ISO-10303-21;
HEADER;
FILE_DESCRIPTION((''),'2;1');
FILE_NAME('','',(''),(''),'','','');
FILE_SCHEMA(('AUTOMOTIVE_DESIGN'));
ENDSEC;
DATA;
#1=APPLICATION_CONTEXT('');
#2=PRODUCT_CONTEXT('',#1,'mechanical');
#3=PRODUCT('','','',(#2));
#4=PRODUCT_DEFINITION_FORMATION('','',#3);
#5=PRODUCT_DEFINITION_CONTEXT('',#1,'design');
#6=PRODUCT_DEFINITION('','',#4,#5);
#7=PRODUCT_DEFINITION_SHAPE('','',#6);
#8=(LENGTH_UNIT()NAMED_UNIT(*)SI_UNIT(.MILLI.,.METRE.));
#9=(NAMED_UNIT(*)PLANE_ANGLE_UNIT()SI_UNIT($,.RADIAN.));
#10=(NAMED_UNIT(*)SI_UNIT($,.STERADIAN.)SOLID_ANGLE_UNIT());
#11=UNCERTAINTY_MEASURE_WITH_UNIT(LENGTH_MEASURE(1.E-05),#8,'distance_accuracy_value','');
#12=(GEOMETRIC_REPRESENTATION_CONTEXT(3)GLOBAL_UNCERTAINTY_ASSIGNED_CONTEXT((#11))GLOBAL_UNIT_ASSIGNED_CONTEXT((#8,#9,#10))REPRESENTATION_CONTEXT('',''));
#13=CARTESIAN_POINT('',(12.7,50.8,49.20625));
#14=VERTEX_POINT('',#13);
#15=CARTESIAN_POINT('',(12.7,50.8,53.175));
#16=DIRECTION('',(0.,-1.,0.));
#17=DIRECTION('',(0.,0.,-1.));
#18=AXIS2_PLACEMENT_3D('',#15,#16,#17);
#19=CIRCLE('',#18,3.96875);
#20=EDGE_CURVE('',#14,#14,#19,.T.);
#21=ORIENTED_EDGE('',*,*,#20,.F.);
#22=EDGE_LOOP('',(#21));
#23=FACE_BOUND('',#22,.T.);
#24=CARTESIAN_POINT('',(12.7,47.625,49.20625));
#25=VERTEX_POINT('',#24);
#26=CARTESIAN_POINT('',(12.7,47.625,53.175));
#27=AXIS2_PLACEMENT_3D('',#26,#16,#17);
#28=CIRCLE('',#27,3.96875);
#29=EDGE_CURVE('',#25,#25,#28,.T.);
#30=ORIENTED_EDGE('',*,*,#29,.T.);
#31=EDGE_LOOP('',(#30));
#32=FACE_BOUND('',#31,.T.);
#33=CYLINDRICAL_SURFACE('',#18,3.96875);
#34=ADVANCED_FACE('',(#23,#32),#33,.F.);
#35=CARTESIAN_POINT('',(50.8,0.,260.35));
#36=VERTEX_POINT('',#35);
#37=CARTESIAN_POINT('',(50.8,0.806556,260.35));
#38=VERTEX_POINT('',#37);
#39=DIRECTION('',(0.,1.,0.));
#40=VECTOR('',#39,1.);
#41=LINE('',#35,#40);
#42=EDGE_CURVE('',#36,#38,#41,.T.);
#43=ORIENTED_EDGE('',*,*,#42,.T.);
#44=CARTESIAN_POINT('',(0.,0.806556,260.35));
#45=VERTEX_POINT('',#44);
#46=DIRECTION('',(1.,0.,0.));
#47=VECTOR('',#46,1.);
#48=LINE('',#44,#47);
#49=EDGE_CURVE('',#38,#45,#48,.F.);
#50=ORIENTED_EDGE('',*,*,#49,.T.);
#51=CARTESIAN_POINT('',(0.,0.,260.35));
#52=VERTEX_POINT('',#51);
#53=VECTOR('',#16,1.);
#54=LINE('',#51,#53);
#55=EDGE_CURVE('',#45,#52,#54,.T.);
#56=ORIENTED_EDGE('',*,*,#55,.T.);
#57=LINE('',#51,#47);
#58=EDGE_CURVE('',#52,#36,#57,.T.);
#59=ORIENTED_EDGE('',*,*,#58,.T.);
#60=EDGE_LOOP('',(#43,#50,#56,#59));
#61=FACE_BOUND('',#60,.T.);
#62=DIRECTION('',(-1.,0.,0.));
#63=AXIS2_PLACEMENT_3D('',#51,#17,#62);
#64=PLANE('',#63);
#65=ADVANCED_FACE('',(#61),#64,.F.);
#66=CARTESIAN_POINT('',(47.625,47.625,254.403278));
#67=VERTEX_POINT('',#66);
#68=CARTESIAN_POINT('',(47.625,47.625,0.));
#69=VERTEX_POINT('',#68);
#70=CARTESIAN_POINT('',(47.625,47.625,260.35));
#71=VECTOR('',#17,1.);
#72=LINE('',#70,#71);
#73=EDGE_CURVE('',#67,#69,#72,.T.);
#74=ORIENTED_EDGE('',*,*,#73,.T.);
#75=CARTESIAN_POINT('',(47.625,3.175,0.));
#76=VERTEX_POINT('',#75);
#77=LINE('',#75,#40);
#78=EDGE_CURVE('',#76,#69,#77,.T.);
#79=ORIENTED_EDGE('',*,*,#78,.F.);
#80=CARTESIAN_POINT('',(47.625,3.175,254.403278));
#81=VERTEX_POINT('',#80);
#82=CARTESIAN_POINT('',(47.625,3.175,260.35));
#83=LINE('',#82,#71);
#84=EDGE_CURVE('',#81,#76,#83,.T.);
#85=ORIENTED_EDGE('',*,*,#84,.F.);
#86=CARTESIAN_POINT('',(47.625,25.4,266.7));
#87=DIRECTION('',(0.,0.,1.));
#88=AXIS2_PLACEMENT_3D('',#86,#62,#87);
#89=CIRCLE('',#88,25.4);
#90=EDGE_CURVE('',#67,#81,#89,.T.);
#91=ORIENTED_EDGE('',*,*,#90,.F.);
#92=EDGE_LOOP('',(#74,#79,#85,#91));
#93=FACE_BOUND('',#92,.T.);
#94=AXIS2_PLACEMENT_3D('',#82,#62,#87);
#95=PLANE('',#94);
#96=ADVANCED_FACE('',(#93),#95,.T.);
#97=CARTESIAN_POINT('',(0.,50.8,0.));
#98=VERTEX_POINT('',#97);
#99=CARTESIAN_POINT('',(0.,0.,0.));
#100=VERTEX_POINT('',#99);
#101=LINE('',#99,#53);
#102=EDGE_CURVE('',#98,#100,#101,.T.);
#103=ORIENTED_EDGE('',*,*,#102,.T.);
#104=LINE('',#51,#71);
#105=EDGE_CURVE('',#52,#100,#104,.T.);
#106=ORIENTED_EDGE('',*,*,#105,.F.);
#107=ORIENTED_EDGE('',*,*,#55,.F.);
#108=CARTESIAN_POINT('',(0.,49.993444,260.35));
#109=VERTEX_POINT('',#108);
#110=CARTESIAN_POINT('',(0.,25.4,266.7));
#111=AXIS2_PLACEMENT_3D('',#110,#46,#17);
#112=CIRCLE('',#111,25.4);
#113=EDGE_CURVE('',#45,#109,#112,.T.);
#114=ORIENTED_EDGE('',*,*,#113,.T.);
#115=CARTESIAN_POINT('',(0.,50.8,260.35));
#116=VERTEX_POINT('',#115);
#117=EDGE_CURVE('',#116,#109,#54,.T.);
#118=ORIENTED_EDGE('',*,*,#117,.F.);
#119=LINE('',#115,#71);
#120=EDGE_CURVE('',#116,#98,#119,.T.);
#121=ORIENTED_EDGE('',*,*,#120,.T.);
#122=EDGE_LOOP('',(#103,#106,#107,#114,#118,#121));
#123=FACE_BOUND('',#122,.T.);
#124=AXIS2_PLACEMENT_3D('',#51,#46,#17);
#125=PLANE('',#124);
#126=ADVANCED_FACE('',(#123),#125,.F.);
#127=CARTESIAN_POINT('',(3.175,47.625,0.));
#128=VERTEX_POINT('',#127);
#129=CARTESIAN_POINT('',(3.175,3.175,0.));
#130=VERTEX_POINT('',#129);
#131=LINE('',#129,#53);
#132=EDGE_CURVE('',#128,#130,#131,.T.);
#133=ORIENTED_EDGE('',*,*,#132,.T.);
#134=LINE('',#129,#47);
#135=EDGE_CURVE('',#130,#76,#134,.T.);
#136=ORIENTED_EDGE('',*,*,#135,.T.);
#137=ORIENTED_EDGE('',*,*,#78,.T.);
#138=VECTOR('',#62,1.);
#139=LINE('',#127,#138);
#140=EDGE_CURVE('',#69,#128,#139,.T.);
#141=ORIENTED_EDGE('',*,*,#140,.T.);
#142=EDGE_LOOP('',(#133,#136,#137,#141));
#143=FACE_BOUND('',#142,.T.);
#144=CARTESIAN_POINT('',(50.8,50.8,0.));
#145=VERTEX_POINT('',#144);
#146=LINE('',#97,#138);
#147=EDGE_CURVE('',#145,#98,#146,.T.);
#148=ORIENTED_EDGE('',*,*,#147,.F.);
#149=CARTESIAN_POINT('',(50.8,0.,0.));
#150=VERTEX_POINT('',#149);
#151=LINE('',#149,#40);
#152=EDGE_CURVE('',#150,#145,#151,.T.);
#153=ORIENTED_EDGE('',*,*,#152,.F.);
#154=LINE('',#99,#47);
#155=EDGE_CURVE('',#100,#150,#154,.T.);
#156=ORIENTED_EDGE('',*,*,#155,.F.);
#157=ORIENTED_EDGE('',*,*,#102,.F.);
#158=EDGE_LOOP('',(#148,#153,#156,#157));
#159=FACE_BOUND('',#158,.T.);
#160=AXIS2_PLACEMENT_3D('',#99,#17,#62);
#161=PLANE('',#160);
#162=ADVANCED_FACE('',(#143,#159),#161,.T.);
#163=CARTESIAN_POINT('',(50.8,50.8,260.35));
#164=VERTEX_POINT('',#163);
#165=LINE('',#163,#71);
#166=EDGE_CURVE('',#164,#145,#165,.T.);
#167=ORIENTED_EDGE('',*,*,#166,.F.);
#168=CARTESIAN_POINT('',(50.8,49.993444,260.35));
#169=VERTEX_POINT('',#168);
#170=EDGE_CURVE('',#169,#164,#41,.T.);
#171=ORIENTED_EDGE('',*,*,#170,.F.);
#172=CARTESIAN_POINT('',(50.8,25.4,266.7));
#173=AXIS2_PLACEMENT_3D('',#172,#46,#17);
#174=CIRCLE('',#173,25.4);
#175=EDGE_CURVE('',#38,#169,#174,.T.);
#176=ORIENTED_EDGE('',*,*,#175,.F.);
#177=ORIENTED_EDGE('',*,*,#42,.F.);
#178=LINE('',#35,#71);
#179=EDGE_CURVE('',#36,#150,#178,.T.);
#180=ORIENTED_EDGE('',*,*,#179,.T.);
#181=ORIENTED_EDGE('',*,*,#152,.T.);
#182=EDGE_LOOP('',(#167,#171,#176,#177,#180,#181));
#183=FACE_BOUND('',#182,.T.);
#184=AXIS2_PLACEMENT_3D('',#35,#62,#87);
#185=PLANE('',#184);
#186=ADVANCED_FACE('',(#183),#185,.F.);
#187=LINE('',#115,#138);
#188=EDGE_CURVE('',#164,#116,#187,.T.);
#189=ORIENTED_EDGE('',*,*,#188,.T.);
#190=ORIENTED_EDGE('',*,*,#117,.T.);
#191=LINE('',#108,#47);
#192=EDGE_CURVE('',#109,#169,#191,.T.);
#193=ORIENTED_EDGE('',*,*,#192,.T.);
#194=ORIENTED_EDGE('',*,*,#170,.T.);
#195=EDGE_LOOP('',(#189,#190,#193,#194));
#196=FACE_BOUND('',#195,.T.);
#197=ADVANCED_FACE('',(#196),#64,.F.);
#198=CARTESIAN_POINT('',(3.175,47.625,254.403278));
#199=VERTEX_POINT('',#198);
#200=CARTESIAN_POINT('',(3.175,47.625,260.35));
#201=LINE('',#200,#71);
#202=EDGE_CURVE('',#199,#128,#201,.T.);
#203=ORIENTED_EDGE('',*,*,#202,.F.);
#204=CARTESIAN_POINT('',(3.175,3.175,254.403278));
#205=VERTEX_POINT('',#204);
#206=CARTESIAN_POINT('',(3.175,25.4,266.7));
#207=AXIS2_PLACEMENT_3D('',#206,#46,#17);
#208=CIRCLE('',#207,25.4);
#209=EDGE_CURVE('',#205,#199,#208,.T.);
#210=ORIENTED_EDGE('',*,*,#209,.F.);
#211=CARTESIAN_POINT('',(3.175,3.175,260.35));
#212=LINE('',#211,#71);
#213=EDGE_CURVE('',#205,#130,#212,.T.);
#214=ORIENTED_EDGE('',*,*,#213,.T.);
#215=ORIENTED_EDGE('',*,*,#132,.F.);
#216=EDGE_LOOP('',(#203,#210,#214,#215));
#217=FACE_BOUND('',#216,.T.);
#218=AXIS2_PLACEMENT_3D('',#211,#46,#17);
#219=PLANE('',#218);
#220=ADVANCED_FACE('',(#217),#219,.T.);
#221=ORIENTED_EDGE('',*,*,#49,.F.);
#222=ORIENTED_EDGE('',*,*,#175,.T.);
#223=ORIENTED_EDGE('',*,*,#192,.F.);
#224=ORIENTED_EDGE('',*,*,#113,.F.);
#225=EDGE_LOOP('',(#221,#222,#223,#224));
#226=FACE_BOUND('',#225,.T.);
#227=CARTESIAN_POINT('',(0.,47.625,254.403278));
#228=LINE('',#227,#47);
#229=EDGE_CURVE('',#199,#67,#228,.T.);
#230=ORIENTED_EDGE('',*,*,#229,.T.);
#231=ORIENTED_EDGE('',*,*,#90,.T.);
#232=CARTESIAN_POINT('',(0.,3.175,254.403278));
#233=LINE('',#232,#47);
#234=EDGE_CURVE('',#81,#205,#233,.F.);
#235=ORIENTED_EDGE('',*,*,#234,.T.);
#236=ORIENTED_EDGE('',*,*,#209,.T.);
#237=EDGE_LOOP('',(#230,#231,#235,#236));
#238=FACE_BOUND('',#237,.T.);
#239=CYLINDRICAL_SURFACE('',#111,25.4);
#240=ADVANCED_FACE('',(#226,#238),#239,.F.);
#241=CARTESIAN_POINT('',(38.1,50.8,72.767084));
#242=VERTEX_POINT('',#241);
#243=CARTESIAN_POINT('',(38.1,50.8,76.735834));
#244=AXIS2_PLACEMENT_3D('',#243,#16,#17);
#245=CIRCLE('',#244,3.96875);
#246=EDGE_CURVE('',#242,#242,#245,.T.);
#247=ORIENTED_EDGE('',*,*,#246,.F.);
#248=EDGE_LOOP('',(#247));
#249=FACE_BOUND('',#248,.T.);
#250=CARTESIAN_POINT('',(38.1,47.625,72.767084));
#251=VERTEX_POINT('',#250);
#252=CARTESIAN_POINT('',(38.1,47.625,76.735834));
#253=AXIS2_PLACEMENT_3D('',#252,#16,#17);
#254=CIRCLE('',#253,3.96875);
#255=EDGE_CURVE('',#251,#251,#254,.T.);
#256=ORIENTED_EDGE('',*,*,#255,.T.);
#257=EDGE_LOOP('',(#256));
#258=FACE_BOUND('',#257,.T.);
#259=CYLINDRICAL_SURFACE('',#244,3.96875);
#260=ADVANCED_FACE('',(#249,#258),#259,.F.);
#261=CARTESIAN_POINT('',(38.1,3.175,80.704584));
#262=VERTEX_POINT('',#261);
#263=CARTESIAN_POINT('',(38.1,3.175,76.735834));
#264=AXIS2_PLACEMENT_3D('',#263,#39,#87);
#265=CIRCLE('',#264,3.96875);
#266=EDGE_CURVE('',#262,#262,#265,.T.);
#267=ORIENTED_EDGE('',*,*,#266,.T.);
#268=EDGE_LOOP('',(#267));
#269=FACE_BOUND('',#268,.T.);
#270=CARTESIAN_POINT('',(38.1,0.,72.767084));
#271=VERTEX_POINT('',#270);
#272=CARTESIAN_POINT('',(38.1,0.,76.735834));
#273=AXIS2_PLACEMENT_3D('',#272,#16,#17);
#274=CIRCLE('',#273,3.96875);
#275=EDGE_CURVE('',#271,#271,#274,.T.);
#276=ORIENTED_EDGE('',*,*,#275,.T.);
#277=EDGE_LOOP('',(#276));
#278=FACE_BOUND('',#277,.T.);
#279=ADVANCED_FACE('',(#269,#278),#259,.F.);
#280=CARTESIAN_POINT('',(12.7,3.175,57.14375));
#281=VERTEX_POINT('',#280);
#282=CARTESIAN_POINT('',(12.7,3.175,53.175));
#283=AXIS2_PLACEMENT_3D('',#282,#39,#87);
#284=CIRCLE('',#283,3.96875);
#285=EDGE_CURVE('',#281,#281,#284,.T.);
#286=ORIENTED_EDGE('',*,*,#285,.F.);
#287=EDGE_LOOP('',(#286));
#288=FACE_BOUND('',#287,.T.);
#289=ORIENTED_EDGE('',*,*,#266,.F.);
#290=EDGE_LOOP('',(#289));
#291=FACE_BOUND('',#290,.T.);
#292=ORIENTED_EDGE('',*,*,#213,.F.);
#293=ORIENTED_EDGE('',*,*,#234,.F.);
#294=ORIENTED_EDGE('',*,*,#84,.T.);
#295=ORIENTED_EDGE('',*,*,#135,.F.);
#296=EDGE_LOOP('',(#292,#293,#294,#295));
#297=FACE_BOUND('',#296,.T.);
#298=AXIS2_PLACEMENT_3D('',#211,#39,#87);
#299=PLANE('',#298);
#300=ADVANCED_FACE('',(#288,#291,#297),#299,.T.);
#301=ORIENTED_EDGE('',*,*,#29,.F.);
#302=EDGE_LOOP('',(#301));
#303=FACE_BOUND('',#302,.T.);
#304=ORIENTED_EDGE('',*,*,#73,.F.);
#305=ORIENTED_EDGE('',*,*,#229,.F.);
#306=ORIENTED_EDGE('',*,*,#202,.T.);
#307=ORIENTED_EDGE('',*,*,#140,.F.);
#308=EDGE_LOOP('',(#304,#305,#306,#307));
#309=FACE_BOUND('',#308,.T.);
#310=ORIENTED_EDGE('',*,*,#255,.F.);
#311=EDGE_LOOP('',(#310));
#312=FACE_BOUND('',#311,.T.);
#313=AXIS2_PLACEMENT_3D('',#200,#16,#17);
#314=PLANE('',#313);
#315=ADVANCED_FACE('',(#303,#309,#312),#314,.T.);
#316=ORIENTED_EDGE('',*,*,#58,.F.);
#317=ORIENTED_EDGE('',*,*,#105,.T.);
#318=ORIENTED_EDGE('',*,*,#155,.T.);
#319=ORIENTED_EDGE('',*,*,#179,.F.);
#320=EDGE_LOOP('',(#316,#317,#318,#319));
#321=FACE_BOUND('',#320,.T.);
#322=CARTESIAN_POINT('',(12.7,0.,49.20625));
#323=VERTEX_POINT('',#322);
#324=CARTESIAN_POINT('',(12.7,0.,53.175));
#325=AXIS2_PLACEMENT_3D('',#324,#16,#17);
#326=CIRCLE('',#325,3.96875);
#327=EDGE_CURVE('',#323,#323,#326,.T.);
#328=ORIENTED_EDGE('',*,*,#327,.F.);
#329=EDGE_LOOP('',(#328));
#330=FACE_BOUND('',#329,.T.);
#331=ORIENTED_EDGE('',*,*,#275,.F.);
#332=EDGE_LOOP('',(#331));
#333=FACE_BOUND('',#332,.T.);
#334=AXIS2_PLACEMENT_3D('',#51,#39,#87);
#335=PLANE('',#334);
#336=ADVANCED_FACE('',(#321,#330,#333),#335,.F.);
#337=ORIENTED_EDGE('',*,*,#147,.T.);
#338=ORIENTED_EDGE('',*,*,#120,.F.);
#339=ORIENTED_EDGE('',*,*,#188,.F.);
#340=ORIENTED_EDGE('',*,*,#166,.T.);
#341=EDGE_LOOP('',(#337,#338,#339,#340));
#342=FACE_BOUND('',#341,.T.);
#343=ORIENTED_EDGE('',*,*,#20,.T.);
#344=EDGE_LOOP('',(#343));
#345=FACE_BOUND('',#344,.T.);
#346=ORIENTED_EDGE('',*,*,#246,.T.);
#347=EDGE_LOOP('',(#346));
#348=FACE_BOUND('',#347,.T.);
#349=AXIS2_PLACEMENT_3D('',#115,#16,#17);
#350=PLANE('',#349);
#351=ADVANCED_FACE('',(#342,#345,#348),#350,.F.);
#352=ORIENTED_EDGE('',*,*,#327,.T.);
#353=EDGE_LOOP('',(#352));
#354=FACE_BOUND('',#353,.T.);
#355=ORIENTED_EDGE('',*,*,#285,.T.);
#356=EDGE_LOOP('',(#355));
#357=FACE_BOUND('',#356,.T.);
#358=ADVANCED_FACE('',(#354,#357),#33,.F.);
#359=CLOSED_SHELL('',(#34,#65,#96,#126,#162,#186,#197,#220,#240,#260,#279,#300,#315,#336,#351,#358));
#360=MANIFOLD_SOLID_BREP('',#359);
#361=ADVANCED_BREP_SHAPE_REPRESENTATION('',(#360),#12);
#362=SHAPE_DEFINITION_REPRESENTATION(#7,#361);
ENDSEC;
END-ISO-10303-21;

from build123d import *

# Parameters (mm, degrees)
SKETCH1_W           = 50.8
SKETCH1_H           = 50.8
SKETCH1_W_2         = 44.45
SKETCH1_H_2         = 44.45
BOSS_EXTRUDE1_DEPTH = 260.35
SKETCH2_R           = 25.4
CUT_EXTRUDE1_DEPTH  = 51.8
SKETCH3_R           = 3.96875
CUT_EXTRUDE2_DEPTH  = 51.8


with BuildPart() as part:
    # Sketch1 → Boss-Extrude1 (new body)
    with BuildSketch(Plane.XY):
        with Locations((25.4, 25.4)):
            Rectangle(SKETCH1_W, SKETCH1_H)
        with Locations((25.4, 25.4)):
            Rectangle(SKETCH1_W_2, SKETCH1_H_2, mode=Mode.SUBTRACT)
    extrude(amount=BOSS_EXTRUDE1_DEPTH)

    # Sketch2 → Cut-Extrude1 (cut, through all)
    with BuildSketch(Plane(origin=(50.8, 0, 0), x_dir=(0, 0, -1), z_dir=(1, 0, 0))):
        with Locations((-266.7, 25.4)):
            Circle(SKETCH2_R)
    extrude(amount=-CUT_EXTRUDE1_DEPTH, mode=Mode.SUBTRACT)

    # Sketch3 → Cut-Extrude2 (cut, through all)
    with BuildSketch(Plane.XZ):
        with Locations((38.1, 76.735833685)):
            Circle(SKETCH3_R)
        with Locations((12.7, 53.175)):
            Circle(SKETCH3_R)
    extrude(amount=-CUT_EXTRUDE2_DEPTH, mode=Mode.SUBTRACT)


solid = part.part
